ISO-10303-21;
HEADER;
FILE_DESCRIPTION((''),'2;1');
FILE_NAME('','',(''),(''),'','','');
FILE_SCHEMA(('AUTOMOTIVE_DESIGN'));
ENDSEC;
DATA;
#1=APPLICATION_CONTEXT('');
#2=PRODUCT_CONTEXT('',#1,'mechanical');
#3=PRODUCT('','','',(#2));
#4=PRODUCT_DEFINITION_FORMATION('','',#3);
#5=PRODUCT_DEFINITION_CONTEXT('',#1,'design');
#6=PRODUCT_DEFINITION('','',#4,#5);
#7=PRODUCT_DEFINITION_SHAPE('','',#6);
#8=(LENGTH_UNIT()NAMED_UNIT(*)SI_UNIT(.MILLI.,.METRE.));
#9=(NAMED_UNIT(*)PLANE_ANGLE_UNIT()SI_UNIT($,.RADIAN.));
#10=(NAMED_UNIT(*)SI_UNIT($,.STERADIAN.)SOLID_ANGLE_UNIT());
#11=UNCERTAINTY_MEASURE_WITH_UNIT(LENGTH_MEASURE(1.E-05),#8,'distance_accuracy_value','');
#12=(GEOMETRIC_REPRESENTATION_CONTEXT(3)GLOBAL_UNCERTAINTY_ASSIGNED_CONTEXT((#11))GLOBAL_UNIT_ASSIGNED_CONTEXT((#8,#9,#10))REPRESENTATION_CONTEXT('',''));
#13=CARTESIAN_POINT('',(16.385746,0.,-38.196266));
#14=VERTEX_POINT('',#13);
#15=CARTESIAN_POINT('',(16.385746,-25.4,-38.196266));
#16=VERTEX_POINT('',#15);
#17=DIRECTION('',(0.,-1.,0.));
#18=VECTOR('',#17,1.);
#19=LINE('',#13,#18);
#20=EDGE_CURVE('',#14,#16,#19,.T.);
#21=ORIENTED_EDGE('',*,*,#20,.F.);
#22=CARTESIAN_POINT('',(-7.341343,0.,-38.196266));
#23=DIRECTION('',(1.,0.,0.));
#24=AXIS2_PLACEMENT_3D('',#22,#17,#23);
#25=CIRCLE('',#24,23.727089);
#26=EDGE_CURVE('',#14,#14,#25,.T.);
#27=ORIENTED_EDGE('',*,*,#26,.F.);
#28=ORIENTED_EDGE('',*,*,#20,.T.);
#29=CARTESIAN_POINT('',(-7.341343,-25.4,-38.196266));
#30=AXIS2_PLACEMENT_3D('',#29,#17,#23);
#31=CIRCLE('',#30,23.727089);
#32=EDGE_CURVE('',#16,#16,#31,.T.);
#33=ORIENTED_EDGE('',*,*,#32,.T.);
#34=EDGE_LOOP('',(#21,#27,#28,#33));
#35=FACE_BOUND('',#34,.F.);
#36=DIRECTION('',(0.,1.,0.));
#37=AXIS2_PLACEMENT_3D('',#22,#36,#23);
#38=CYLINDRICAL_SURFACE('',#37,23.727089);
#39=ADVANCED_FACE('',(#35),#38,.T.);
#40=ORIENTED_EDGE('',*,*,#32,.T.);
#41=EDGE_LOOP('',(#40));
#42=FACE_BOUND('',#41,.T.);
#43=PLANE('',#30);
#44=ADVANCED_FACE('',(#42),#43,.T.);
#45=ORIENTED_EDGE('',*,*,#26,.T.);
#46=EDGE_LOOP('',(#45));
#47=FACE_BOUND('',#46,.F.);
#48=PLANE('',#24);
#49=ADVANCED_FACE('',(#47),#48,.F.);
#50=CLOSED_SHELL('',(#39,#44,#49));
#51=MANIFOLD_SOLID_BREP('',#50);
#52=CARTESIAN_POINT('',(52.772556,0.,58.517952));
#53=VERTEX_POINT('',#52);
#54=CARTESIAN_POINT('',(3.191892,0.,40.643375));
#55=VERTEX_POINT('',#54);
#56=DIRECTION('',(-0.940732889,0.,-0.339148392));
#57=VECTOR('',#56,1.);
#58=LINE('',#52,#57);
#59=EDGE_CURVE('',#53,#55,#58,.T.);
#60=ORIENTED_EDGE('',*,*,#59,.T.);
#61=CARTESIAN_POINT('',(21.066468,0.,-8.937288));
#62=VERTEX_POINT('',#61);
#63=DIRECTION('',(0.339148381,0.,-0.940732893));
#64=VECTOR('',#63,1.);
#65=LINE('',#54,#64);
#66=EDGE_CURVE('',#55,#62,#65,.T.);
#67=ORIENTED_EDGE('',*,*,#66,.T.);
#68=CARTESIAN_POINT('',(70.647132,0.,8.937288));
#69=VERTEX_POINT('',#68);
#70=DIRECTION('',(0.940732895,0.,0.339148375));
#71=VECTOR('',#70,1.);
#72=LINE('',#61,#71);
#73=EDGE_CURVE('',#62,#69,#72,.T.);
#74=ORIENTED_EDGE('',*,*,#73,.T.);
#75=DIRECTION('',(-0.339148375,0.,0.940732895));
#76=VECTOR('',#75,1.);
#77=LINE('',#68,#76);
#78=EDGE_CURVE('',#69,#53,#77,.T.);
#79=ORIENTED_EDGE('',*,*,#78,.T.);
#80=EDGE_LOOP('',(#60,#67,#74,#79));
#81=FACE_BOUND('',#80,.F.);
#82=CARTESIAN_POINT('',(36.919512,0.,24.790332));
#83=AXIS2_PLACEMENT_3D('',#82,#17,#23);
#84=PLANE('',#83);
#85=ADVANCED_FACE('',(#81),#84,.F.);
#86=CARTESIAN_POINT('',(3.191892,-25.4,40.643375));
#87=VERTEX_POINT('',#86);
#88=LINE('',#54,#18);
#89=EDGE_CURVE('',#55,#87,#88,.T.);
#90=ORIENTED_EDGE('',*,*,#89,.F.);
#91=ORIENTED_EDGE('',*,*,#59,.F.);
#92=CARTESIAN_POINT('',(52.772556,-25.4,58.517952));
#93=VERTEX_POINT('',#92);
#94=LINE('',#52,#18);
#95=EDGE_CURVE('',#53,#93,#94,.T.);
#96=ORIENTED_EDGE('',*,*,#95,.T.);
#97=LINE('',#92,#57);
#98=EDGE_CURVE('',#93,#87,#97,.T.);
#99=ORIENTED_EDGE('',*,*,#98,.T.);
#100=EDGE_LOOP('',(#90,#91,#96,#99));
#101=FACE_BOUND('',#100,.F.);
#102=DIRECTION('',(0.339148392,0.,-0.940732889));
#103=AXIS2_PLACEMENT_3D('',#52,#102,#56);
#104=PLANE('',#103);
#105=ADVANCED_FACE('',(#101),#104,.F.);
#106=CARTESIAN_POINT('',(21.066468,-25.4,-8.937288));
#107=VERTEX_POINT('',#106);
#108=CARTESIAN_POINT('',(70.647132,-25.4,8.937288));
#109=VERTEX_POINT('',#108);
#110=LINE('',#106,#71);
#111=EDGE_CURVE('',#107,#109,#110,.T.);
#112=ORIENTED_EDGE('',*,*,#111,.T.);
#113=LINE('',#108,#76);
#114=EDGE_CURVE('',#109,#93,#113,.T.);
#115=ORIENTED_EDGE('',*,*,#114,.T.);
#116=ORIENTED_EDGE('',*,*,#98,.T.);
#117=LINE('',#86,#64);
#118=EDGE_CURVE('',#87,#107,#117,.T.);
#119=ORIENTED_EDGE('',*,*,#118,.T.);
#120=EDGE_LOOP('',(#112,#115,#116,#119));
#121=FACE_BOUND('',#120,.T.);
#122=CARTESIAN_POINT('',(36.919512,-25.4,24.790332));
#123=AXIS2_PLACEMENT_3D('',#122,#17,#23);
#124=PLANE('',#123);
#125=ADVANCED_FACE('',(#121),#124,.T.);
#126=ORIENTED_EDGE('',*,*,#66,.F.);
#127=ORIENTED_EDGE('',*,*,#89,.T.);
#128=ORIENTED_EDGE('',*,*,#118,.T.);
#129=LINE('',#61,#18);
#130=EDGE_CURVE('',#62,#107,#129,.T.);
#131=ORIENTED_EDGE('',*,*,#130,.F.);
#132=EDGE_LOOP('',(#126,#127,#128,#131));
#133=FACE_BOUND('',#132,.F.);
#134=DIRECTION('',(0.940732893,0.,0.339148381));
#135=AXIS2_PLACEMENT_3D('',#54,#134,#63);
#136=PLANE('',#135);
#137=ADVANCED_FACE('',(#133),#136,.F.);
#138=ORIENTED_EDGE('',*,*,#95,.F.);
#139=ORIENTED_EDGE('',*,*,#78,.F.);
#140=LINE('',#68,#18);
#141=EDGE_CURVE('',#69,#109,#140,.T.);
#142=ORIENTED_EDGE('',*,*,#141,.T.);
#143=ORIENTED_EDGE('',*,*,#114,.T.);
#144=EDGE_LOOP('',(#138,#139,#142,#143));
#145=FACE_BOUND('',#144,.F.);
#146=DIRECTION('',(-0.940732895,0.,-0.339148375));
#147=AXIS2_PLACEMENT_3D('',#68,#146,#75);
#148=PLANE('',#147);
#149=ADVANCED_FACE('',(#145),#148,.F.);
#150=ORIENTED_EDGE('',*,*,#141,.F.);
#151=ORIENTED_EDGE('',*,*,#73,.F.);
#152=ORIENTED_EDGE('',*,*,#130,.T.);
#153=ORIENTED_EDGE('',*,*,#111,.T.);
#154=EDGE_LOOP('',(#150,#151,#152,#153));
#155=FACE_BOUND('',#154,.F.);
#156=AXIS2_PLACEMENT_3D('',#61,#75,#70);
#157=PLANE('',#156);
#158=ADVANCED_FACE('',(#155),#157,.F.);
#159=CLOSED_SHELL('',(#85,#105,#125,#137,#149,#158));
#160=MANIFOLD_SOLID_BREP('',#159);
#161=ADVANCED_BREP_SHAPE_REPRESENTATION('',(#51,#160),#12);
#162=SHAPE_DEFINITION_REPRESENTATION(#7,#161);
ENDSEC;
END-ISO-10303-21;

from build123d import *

# Parameters (mm, degrees)
F0_R     = 23.727089
F1_DEPTH = 25.4


with BuildPart() as f1:
    # F0 (on Front) → F1 (new body)
    with BuildSketch(Plane.XZ):
        with Locations((-7.341343, -38.196266)):
            Circle(F0_R)
        Polygon((21.066468, -8.937288), (70.647132, 8.937288), (52.772556, 58.517952), (3.191892, 40.643375), align=None)
    extrude(amount=F1_DEPTH)


solid = f1.part
